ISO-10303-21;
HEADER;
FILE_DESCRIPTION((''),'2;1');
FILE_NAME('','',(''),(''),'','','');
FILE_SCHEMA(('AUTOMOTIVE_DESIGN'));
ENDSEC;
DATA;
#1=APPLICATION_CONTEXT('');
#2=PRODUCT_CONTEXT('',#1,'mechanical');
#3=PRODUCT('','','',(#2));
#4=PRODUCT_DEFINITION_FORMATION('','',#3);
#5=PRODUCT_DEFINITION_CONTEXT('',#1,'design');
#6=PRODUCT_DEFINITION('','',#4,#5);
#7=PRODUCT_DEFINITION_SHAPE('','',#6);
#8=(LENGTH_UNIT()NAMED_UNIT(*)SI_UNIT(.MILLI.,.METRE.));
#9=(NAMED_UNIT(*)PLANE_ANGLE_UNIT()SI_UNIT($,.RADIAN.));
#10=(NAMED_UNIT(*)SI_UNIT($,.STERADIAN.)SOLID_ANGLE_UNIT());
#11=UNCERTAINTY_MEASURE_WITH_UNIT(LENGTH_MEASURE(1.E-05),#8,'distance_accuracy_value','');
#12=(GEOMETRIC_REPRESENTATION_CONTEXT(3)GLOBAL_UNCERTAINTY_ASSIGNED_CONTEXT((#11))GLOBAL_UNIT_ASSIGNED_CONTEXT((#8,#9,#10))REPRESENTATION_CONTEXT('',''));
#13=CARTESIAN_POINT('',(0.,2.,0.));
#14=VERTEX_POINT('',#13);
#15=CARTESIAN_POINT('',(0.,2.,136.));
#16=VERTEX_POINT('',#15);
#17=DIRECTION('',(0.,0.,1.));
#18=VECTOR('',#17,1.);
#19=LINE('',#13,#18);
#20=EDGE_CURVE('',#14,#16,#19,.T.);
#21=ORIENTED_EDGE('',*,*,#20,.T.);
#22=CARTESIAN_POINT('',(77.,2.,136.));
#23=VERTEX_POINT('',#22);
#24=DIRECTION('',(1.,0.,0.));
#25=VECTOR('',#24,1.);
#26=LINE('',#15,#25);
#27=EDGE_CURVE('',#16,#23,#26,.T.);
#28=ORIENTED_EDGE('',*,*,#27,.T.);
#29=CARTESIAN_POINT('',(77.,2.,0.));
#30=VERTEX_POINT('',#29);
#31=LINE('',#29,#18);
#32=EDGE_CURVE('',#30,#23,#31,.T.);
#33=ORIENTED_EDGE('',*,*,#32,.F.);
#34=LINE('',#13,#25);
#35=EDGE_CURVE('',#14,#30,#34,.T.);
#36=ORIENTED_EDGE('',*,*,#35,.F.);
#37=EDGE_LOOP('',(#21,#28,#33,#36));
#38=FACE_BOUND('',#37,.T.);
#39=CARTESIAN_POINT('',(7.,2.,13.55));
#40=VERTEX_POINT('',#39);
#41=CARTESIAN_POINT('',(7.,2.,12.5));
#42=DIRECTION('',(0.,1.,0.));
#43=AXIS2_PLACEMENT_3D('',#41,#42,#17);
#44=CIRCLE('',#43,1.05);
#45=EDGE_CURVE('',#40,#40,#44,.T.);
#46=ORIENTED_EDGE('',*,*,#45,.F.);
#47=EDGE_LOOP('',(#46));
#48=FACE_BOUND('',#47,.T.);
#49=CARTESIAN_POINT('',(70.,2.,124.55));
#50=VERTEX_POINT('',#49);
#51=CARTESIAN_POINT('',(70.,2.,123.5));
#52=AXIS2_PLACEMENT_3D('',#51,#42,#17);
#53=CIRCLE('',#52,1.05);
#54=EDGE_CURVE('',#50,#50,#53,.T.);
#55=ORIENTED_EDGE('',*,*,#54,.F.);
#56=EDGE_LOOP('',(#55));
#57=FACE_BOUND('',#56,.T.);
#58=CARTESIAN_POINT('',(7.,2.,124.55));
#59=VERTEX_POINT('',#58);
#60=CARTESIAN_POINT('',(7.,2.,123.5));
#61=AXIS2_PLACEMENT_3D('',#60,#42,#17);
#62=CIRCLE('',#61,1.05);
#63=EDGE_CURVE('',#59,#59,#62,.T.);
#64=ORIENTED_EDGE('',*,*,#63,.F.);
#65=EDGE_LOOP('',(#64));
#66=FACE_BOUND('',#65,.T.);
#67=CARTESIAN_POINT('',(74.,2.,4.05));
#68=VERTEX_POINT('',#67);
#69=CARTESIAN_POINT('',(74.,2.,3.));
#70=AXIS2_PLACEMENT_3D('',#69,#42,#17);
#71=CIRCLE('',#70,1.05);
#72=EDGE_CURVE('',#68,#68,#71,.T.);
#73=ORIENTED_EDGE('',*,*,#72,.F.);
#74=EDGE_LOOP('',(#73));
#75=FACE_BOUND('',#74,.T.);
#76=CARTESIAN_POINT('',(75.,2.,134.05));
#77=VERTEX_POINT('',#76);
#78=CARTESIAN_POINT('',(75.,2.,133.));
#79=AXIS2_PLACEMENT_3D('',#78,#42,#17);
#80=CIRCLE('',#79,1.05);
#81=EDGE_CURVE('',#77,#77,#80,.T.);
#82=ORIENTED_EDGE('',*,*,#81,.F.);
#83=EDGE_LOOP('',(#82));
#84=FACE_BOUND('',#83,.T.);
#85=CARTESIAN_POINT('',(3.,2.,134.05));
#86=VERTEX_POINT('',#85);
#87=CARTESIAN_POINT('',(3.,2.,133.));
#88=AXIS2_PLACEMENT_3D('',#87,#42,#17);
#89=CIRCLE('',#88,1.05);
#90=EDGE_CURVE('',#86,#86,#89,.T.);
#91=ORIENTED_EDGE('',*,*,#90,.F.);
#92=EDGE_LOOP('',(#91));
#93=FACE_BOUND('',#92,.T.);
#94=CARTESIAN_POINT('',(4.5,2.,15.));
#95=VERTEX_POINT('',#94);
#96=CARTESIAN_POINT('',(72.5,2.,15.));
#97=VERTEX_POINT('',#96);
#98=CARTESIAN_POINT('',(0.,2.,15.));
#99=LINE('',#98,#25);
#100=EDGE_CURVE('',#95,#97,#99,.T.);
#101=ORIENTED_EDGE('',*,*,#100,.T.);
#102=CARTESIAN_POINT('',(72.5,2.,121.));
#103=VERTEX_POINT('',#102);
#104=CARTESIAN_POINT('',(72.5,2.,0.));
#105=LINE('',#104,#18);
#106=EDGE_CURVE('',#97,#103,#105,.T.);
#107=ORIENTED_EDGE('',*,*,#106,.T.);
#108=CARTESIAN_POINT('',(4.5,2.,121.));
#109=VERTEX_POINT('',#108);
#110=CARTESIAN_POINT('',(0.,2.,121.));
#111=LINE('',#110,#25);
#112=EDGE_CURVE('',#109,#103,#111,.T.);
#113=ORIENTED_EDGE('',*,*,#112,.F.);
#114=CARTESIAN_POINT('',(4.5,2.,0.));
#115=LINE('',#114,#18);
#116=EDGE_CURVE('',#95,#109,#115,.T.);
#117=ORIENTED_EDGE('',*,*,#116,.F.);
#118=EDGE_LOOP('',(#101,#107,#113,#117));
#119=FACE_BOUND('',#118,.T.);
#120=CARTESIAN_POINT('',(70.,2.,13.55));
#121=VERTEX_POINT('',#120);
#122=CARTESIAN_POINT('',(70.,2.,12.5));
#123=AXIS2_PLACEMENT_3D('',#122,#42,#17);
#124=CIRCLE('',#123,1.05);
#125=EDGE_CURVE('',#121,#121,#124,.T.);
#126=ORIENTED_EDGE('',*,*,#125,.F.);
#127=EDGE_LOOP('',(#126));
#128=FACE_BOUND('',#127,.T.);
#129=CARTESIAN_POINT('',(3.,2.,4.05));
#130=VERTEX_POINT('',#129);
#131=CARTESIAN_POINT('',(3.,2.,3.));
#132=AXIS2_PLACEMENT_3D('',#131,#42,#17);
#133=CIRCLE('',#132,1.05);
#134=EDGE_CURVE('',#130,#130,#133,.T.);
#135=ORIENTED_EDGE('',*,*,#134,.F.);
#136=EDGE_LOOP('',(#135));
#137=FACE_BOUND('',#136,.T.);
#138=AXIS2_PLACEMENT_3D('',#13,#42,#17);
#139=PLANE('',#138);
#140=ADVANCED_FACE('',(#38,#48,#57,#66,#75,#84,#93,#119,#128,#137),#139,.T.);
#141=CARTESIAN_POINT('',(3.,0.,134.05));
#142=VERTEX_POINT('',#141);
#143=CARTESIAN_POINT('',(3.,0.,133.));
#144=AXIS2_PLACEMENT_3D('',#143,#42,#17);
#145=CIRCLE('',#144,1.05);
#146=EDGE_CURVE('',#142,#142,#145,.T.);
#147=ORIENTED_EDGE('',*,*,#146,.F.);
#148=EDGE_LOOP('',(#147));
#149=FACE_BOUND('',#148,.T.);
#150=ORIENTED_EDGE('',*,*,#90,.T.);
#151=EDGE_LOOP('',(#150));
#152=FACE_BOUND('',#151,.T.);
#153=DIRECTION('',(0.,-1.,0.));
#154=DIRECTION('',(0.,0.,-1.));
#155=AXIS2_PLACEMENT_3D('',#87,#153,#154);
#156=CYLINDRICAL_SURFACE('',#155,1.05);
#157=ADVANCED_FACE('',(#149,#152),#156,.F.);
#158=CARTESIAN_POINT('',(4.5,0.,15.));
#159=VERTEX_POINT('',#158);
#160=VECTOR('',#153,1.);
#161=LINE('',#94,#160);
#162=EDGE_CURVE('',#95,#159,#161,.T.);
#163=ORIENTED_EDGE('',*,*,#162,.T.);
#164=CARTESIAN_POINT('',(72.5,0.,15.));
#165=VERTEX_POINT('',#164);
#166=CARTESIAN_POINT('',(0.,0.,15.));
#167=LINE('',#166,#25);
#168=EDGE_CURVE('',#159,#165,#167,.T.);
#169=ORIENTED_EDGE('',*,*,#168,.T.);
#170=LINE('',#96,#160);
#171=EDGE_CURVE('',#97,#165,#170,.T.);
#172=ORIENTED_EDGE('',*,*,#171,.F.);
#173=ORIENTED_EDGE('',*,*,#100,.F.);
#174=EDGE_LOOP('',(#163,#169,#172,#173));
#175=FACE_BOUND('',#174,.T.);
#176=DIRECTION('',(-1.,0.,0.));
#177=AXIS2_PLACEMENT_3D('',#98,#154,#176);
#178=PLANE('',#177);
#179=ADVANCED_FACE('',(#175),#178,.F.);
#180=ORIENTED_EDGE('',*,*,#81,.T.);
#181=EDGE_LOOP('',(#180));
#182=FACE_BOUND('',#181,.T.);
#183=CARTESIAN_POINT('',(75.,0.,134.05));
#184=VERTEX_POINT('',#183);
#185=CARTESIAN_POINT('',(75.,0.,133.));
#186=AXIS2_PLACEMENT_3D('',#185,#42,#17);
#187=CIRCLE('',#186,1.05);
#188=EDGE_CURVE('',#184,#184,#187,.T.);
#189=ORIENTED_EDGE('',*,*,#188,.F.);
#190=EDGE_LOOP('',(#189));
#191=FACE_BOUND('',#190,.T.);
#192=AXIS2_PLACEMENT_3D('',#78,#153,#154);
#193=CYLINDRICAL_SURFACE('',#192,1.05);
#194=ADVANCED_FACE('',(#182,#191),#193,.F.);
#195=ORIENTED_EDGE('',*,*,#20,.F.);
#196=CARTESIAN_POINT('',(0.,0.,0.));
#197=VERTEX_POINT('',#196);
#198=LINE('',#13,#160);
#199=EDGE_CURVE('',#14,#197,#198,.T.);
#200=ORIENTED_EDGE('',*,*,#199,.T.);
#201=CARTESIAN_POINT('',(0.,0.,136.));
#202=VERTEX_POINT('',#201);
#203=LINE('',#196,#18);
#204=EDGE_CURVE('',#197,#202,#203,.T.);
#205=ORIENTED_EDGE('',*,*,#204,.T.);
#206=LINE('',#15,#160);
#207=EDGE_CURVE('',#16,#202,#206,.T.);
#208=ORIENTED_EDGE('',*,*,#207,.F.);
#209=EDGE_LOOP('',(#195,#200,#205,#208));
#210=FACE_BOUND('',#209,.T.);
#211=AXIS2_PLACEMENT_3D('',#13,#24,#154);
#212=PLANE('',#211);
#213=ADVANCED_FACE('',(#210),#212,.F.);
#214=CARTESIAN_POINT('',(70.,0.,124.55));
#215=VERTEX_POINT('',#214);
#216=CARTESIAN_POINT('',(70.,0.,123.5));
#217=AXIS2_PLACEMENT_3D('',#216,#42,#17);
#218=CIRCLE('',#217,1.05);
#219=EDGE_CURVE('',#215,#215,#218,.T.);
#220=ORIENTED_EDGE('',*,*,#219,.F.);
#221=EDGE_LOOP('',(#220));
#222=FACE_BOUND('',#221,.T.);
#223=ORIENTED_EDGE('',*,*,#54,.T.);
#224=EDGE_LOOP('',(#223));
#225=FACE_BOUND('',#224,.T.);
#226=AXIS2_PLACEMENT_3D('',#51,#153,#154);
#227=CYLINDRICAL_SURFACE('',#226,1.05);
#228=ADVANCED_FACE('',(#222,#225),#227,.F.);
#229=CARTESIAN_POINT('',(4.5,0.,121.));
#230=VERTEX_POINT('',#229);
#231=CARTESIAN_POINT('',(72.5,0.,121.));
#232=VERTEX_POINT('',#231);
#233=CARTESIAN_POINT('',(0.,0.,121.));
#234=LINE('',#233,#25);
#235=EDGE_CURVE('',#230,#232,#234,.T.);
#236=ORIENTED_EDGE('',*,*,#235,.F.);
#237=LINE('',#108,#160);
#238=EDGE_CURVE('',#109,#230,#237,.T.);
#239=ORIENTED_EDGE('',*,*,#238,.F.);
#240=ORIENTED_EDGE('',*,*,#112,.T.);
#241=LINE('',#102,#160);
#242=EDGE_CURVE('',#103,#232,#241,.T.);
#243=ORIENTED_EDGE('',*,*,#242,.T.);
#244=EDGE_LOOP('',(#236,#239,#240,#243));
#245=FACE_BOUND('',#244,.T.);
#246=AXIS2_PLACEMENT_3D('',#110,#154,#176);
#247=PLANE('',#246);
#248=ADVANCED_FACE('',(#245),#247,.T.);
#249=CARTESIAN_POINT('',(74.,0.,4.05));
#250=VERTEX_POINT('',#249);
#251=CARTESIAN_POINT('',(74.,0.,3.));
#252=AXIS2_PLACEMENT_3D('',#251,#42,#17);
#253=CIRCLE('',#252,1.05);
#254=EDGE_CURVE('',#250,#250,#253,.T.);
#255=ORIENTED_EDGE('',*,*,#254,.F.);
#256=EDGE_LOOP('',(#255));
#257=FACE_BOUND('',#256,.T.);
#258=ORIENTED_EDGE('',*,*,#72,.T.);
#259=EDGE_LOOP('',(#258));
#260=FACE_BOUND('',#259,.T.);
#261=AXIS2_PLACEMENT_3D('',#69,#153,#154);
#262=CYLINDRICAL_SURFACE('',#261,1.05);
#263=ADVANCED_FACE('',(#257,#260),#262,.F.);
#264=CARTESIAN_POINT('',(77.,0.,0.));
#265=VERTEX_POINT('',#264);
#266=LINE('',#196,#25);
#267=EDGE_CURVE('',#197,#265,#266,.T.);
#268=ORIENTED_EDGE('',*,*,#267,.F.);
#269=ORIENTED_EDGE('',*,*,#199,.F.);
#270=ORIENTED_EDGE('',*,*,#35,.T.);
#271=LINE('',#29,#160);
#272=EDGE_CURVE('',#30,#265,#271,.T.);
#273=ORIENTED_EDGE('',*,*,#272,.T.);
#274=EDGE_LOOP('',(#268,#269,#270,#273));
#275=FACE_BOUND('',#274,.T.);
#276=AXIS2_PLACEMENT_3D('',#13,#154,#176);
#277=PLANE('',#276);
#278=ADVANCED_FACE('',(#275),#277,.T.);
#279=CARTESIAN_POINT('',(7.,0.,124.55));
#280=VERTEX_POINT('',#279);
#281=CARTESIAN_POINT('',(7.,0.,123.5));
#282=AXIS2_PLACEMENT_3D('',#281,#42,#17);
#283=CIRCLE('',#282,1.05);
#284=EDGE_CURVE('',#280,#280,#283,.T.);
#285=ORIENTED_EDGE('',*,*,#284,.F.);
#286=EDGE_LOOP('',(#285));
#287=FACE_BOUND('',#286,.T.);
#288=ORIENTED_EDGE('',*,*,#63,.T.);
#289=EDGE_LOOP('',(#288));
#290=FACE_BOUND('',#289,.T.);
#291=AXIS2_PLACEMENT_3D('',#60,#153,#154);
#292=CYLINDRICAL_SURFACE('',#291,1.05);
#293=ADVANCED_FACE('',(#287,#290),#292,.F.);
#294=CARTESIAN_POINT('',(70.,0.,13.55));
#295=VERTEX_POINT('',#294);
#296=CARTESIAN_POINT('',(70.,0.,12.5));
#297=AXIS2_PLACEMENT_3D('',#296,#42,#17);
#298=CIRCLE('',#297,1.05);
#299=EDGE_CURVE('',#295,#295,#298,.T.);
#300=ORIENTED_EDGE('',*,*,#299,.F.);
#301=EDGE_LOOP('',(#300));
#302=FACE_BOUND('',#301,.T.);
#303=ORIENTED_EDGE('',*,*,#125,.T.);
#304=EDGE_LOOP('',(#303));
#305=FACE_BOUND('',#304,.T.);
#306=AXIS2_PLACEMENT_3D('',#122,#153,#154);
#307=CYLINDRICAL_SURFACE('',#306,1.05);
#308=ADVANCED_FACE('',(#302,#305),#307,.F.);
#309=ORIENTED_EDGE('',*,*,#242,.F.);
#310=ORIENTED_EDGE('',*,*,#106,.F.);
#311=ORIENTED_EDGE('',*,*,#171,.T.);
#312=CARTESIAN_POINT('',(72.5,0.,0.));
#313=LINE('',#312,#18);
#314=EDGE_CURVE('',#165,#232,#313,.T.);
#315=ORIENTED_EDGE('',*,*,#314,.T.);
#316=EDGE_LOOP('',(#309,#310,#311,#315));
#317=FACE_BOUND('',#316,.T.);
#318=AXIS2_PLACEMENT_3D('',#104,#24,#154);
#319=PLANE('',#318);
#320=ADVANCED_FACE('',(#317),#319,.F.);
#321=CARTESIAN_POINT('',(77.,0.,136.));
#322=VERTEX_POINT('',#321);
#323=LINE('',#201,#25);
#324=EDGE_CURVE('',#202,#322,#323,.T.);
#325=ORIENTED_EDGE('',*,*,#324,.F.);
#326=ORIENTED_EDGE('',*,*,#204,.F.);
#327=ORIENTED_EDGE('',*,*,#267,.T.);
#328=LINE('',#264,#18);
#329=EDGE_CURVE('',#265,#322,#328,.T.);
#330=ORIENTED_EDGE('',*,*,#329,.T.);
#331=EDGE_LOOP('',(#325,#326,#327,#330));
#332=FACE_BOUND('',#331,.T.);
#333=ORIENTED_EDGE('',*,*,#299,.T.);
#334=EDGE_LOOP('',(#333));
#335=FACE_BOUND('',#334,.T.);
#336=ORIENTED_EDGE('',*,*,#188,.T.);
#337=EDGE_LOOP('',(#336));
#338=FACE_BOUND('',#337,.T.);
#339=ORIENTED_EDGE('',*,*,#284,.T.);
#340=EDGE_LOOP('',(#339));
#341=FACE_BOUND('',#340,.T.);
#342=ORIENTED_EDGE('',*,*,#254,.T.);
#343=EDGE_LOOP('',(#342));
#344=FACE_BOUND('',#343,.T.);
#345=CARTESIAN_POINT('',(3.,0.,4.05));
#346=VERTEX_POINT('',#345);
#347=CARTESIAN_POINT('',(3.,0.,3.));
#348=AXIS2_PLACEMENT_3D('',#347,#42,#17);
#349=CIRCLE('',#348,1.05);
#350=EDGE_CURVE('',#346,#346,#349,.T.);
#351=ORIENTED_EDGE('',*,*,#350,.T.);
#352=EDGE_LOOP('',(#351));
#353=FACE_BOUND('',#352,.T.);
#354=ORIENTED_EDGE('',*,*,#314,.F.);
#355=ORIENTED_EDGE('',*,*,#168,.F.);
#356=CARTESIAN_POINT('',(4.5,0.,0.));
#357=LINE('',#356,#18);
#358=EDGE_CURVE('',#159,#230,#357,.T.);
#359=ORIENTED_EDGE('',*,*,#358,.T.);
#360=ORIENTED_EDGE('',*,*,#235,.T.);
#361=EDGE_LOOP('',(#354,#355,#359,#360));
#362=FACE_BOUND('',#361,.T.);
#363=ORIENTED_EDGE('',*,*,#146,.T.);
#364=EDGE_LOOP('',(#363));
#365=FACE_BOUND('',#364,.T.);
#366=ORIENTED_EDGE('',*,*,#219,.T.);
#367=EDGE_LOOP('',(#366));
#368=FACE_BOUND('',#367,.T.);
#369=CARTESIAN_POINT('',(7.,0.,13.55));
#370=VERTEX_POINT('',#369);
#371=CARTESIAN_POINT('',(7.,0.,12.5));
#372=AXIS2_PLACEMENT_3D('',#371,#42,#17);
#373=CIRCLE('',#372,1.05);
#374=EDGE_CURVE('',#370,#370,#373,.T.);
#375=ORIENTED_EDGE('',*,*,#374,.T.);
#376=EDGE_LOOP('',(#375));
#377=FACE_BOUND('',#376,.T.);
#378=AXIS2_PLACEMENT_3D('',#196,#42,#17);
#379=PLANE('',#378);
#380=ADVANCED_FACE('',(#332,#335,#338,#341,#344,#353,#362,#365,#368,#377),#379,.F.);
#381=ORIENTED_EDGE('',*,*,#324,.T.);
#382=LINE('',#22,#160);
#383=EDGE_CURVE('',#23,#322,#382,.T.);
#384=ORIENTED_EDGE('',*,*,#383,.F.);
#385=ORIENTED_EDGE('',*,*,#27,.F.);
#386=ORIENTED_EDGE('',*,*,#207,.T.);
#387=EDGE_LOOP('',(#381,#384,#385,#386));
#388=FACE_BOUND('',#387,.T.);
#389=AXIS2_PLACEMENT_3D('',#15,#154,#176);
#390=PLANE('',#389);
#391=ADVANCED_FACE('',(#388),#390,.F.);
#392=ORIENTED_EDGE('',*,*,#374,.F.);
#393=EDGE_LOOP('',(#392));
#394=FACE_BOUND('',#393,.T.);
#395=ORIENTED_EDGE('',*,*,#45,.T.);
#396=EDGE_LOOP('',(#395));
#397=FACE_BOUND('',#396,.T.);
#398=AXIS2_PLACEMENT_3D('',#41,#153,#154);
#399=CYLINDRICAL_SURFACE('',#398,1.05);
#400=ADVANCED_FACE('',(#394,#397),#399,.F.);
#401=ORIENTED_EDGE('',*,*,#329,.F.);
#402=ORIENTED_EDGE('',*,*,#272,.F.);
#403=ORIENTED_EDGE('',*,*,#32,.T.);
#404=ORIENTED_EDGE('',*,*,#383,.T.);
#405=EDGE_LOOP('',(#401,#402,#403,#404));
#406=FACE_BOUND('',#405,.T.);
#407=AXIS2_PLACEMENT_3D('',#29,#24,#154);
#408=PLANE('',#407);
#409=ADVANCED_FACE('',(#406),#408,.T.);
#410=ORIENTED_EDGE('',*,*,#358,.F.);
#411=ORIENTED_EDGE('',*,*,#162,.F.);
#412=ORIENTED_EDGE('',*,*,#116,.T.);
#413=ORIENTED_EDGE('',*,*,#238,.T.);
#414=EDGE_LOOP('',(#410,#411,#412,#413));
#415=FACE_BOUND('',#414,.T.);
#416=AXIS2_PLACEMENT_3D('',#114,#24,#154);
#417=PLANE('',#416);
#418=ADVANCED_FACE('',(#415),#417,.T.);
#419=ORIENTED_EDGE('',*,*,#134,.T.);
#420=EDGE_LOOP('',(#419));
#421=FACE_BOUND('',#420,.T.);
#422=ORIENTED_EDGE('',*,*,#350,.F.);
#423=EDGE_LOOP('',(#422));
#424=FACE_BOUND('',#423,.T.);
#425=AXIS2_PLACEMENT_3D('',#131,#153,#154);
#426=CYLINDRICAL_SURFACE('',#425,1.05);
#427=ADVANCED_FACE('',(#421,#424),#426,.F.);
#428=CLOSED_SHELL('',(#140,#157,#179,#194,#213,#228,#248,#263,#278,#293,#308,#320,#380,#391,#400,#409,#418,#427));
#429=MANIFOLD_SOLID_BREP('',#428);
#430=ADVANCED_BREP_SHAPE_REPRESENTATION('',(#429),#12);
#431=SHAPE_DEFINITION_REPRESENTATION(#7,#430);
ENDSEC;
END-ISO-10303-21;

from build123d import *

# Parameters (mm, degrees)
SKETCH_2_W      = 77
SKETCH_2_H      = 136
SKETCH_2_R      = 1.05
SKETCH_2_W_2    = 68
SKETCH_2_H_2    = 106
EXTRUDE_1_DEPTH = 2


with BuildPart() as part:
    # 草图2 → 凸台-拉伸1 (new body)
    with BuildSketch(Plane(origin=(0, 0, 0), x_dir=(1, 0, 0), z_dir=(0, 1, 0))):
        with Locations((38.5, -68)):
            Rectangle(SKETCH_2_W, SKETCH_2_H)
        with Locations(Location((3, -3, 0), (0, 0, 270))):
            Circle(SKETCH_2_R, mode=Mode.SUBTRACT)
        with Locations(Location((74, -3, 0), (0, 0, 270))):
            Circle(SKETCH_2_R, mode=Mode.SUBTRACT)
        with Locations(Location((3, -133, 0), (0, 0, 270))):
            Circle(SKETCH_2_R, mode=Mode.SUBTRACT)
        with Locations(Location((75, -133, 0), (0, 0, 270))):
            Circle(SKETCH_2_R, mode=Mode.SUBTRACT)
        with Locations(Location((7, -12.5, 0), (0, 0, 270))):
            Circle(SKETCH_2_R, mode=Mode.SUBTRACT)
        with Locations(Location((70, -12.5, 0), (0, 0, 270))):
            Circle(SKETCH_2_R, mode=Mode.SUBTRACT)
        with Locations(Location((70, -123.5, 0), (0, 0, 270))):
            Circle(SKETCH_2_R, mode=Mode.SUBTRACT)
        with Locations(Location((7, -123.5, 0), (0, 0, 270))):
            Circle(SKETCH_2_R, mode=Mode.SUBTRACT)
        with Locations((38.5, -68)):
            Rectangle(SKETCH_2_W_2, SKETCH_2_H_2, mode=Mode.SUBTRACT)
    extrude(amount=EXTRUDE_1_DEPTH)


solid = part.part
